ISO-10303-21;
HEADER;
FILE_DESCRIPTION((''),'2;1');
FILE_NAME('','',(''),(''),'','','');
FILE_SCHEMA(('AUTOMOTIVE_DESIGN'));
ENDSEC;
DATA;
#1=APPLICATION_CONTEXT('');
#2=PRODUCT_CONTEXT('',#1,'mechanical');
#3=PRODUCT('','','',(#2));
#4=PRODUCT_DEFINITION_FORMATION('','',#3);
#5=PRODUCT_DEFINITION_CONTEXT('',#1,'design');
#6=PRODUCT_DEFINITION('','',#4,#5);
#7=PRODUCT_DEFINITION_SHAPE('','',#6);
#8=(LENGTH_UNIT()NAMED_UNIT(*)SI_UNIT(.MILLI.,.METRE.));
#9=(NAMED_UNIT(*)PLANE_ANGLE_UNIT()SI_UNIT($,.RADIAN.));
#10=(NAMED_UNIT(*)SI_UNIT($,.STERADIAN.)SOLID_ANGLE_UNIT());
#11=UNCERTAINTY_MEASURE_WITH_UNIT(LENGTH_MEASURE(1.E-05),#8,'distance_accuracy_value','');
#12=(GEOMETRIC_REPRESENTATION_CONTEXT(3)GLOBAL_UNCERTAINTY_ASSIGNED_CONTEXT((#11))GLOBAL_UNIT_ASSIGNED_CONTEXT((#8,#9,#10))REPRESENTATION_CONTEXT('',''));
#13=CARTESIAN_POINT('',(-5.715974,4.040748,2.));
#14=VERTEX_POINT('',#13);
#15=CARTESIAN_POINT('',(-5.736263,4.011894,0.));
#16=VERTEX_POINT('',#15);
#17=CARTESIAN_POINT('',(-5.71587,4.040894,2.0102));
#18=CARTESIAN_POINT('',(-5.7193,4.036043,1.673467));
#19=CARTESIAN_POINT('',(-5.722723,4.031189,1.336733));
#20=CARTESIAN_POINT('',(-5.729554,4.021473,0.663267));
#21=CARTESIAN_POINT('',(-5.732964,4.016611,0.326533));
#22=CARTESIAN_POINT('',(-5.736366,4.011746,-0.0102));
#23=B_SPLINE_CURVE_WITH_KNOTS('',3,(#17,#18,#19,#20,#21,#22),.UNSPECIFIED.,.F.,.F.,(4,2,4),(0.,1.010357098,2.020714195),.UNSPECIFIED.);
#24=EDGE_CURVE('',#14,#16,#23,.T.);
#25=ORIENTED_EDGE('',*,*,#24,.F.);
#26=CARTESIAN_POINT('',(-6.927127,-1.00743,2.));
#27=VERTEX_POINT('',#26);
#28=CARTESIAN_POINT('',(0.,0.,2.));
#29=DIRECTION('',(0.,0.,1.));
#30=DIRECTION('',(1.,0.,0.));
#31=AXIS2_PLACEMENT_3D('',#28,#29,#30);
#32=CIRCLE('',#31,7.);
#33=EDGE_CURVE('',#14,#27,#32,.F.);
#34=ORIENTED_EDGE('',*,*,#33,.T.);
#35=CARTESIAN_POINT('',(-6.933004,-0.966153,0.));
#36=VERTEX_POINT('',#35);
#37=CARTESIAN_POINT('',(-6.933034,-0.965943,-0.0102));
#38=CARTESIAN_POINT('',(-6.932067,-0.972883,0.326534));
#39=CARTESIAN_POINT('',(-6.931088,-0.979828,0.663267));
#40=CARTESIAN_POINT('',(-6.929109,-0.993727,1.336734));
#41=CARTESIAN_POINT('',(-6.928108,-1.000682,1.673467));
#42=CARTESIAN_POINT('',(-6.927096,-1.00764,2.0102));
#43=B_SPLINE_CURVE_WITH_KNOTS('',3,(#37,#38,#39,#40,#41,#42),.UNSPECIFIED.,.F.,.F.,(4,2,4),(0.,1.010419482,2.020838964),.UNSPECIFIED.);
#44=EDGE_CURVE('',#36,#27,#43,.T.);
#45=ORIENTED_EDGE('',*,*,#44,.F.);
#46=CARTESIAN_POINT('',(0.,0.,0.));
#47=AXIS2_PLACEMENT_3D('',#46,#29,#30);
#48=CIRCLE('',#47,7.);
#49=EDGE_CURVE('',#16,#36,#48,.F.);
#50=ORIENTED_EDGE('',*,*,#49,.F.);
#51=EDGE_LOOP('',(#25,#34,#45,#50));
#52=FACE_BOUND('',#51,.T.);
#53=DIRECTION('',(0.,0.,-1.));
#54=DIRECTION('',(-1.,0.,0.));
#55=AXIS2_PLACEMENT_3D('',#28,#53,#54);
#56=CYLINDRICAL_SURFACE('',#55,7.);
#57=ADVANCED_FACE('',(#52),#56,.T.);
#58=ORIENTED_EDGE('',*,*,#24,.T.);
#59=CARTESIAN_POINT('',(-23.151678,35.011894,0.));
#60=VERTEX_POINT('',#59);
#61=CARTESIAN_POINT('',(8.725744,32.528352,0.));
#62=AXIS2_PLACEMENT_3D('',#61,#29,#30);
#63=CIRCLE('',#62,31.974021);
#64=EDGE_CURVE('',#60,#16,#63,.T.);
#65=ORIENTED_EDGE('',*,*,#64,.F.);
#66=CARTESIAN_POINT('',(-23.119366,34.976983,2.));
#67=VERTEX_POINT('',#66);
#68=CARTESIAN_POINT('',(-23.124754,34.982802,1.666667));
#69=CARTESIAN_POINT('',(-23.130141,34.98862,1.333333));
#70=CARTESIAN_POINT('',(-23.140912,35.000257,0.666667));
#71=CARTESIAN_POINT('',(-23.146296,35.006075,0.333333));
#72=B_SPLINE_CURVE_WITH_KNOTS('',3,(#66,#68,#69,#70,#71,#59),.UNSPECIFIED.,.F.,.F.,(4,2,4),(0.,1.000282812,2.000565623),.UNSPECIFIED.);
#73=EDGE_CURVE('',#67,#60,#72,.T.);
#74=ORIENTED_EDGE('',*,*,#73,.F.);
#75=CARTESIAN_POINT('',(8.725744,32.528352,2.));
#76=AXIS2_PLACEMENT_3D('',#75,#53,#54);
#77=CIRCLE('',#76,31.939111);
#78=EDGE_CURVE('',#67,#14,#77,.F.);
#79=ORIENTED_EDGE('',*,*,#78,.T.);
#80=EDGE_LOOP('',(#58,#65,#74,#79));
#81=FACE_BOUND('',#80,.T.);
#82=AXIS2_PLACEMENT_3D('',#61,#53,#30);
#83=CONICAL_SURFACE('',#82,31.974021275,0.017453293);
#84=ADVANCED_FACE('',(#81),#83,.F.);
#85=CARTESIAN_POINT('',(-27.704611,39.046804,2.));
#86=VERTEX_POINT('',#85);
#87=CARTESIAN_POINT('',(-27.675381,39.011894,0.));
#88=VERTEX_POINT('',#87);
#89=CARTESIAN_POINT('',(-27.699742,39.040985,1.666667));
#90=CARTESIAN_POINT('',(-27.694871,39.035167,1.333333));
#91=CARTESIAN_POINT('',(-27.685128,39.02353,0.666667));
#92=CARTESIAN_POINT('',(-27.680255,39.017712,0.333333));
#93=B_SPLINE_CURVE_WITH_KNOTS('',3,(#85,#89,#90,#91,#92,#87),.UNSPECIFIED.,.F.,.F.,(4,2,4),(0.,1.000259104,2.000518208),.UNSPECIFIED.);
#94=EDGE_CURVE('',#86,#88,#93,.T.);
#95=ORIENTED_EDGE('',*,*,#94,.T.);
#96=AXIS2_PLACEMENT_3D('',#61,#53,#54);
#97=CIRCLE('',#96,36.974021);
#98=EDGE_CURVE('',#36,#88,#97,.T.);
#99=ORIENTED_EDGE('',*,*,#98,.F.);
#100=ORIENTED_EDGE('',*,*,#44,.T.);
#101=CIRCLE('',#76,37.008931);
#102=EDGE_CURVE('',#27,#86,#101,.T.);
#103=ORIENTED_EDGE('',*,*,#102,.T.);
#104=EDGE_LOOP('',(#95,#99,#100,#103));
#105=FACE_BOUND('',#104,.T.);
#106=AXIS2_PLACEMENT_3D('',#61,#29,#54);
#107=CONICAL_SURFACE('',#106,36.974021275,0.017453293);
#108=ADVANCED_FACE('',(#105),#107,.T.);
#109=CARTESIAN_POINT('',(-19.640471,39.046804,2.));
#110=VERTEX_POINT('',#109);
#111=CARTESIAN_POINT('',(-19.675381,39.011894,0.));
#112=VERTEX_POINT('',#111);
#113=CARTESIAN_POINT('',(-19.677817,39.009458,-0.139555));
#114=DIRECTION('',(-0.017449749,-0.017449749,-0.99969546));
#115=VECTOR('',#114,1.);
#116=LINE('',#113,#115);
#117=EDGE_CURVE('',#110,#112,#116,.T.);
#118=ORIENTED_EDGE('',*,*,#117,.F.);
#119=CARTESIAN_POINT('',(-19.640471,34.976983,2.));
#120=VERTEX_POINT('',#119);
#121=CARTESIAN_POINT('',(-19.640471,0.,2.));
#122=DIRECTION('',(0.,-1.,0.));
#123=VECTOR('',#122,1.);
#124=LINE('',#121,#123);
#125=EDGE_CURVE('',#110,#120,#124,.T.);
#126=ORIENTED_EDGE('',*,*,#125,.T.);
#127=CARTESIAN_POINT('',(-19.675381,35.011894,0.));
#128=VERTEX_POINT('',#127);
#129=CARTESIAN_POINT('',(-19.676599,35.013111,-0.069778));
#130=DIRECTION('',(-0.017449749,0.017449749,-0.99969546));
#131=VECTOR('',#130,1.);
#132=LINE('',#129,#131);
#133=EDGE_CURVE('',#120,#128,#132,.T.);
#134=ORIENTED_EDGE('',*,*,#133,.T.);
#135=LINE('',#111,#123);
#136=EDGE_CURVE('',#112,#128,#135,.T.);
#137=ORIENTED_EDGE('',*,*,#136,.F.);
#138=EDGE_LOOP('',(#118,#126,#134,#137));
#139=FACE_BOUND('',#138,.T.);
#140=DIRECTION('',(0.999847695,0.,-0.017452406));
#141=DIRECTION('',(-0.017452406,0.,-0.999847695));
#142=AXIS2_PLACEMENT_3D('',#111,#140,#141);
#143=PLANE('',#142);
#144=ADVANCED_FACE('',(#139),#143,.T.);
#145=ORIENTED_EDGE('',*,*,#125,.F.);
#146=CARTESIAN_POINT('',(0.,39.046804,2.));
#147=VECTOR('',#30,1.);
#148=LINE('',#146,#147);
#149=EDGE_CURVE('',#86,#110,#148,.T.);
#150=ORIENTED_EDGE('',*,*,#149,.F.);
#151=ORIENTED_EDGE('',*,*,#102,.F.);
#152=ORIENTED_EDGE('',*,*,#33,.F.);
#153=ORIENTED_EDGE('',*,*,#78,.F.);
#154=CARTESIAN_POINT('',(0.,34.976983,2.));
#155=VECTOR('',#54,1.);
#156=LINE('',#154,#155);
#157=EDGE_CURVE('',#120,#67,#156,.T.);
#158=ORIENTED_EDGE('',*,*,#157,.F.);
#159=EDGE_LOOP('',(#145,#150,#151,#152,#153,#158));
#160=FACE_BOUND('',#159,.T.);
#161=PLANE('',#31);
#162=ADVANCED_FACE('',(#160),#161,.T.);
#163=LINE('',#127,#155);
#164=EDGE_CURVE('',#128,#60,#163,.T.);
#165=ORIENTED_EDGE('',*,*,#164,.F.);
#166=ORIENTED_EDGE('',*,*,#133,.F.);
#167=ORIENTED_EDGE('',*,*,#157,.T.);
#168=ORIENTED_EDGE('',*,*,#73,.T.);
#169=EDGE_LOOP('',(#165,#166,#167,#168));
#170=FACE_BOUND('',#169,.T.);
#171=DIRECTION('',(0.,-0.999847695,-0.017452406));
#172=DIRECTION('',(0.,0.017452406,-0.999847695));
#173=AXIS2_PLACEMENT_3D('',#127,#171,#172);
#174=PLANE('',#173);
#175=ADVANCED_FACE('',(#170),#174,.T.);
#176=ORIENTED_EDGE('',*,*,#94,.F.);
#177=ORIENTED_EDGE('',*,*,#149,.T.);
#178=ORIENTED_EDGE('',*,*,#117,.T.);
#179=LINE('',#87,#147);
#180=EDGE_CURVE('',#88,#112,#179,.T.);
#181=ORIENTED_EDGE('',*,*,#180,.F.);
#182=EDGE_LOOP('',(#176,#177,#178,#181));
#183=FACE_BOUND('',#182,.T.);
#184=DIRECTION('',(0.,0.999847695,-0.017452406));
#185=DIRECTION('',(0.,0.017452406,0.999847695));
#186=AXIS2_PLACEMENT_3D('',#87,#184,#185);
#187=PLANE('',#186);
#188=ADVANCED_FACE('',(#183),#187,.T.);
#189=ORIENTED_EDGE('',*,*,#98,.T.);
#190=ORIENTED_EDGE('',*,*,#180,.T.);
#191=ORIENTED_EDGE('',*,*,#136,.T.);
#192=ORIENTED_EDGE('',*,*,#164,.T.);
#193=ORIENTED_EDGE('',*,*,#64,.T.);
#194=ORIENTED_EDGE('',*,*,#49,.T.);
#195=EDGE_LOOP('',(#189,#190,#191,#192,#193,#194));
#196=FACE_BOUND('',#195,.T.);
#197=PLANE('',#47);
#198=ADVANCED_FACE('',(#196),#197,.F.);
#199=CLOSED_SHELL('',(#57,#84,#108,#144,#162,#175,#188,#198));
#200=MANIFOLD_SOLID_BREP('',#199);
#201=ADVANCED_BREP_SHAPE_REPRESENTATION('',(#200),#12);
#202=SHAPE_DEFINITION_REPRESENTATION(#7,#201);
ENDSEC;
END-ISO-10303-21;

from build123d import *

# Parameters (mm, degrees)
BOSS_EXTRU_2_DEPTH = 2
BOSS_EXTRU_8_DEPTH = 2
BOSS_EXTRU_8_DRAFT = 1


with BuildPart() as part:
    # Esquisse1 → Boss.-Extru.2 (new body)
    with BuildSketch(Plane.XY):
        with BuildLine():
            ThreePointArc((6.427291801, -2.77307052), (5.965216185, -3.662812562), (5.380773926, -4.477418002))
            ThreePointArc((5.380773926, -4.477418002), (-5.965216185, 3.662812562), (6.427291801, -2.77307052))
        make_face()
    extrude(amount=BOSS_EXTRU_2_DEPTH)


with BuildPart() as boss_extru_8_tool:
    # Esquisse7 → Boss.-Extru.8 (with draft: the straight prism first)
    with BuildSketch(Plane(origin=(0, 0, 0), x_dir=(-1, 0, 0), z_dir=(0, 0, -1))):
        with BuildLine():
            Line((27.675381467, 39.011893522), (19.675381467, 39.011893522))
            Line((19.675381467, 39.011893522), (19.675381467, 35.011893522))
            Line((19.675381467, 35.011893522), (23.151678354, 35.011893522))
            ThreePointArc((23.151678354, 35.011893522), (19.150512425, 16.86781666), (5.736262752, 4.011893522))
            ThreePointArc((5.736262752, 4.011893522), (6.806086868, 1.636209506), (6.933004295, -0.966152912))
            ThreePointArc((6.933004295, -0.966152912), (24.093742024, 15.500152171), (27.675381467, 39.011893522))
        make_face()
    extrude(amount=-BOSS_EXTRU_8_DEPTH)
    # Boss.-Extru.8: the draft: its side faces are tilted about the plane it starts from
    boss_extru_8_sides = [boss_extru_8_tool.faces().sort_by_distance(p)[0] for p in [
        (-24.093742024, 15.500152171, 1),
        (-23.675381467, 39.011893522, 1),
        (-19.675381467, 37.011893522, 1),
        (-21.413529911, 35.011893522, 1),
        (-19.150512425, 16.86781666, 1),
        (-6.806086868, 1.636209506, 1),
    ]]
    draft(boss_extru_8_sides, Plane(origin=(0, 0, 0), x_dir=(-1, 0, 0), z_dir=(0, 0, -1)), BOSS_EXTRU_8_DRAFT)


with BuildPart() as part_1:
    add(part.part)

    # Boss.-Extru.8: add boss_extru_8_tool
    add(boss_extru_8_tool.part)


solid = part_1.part
